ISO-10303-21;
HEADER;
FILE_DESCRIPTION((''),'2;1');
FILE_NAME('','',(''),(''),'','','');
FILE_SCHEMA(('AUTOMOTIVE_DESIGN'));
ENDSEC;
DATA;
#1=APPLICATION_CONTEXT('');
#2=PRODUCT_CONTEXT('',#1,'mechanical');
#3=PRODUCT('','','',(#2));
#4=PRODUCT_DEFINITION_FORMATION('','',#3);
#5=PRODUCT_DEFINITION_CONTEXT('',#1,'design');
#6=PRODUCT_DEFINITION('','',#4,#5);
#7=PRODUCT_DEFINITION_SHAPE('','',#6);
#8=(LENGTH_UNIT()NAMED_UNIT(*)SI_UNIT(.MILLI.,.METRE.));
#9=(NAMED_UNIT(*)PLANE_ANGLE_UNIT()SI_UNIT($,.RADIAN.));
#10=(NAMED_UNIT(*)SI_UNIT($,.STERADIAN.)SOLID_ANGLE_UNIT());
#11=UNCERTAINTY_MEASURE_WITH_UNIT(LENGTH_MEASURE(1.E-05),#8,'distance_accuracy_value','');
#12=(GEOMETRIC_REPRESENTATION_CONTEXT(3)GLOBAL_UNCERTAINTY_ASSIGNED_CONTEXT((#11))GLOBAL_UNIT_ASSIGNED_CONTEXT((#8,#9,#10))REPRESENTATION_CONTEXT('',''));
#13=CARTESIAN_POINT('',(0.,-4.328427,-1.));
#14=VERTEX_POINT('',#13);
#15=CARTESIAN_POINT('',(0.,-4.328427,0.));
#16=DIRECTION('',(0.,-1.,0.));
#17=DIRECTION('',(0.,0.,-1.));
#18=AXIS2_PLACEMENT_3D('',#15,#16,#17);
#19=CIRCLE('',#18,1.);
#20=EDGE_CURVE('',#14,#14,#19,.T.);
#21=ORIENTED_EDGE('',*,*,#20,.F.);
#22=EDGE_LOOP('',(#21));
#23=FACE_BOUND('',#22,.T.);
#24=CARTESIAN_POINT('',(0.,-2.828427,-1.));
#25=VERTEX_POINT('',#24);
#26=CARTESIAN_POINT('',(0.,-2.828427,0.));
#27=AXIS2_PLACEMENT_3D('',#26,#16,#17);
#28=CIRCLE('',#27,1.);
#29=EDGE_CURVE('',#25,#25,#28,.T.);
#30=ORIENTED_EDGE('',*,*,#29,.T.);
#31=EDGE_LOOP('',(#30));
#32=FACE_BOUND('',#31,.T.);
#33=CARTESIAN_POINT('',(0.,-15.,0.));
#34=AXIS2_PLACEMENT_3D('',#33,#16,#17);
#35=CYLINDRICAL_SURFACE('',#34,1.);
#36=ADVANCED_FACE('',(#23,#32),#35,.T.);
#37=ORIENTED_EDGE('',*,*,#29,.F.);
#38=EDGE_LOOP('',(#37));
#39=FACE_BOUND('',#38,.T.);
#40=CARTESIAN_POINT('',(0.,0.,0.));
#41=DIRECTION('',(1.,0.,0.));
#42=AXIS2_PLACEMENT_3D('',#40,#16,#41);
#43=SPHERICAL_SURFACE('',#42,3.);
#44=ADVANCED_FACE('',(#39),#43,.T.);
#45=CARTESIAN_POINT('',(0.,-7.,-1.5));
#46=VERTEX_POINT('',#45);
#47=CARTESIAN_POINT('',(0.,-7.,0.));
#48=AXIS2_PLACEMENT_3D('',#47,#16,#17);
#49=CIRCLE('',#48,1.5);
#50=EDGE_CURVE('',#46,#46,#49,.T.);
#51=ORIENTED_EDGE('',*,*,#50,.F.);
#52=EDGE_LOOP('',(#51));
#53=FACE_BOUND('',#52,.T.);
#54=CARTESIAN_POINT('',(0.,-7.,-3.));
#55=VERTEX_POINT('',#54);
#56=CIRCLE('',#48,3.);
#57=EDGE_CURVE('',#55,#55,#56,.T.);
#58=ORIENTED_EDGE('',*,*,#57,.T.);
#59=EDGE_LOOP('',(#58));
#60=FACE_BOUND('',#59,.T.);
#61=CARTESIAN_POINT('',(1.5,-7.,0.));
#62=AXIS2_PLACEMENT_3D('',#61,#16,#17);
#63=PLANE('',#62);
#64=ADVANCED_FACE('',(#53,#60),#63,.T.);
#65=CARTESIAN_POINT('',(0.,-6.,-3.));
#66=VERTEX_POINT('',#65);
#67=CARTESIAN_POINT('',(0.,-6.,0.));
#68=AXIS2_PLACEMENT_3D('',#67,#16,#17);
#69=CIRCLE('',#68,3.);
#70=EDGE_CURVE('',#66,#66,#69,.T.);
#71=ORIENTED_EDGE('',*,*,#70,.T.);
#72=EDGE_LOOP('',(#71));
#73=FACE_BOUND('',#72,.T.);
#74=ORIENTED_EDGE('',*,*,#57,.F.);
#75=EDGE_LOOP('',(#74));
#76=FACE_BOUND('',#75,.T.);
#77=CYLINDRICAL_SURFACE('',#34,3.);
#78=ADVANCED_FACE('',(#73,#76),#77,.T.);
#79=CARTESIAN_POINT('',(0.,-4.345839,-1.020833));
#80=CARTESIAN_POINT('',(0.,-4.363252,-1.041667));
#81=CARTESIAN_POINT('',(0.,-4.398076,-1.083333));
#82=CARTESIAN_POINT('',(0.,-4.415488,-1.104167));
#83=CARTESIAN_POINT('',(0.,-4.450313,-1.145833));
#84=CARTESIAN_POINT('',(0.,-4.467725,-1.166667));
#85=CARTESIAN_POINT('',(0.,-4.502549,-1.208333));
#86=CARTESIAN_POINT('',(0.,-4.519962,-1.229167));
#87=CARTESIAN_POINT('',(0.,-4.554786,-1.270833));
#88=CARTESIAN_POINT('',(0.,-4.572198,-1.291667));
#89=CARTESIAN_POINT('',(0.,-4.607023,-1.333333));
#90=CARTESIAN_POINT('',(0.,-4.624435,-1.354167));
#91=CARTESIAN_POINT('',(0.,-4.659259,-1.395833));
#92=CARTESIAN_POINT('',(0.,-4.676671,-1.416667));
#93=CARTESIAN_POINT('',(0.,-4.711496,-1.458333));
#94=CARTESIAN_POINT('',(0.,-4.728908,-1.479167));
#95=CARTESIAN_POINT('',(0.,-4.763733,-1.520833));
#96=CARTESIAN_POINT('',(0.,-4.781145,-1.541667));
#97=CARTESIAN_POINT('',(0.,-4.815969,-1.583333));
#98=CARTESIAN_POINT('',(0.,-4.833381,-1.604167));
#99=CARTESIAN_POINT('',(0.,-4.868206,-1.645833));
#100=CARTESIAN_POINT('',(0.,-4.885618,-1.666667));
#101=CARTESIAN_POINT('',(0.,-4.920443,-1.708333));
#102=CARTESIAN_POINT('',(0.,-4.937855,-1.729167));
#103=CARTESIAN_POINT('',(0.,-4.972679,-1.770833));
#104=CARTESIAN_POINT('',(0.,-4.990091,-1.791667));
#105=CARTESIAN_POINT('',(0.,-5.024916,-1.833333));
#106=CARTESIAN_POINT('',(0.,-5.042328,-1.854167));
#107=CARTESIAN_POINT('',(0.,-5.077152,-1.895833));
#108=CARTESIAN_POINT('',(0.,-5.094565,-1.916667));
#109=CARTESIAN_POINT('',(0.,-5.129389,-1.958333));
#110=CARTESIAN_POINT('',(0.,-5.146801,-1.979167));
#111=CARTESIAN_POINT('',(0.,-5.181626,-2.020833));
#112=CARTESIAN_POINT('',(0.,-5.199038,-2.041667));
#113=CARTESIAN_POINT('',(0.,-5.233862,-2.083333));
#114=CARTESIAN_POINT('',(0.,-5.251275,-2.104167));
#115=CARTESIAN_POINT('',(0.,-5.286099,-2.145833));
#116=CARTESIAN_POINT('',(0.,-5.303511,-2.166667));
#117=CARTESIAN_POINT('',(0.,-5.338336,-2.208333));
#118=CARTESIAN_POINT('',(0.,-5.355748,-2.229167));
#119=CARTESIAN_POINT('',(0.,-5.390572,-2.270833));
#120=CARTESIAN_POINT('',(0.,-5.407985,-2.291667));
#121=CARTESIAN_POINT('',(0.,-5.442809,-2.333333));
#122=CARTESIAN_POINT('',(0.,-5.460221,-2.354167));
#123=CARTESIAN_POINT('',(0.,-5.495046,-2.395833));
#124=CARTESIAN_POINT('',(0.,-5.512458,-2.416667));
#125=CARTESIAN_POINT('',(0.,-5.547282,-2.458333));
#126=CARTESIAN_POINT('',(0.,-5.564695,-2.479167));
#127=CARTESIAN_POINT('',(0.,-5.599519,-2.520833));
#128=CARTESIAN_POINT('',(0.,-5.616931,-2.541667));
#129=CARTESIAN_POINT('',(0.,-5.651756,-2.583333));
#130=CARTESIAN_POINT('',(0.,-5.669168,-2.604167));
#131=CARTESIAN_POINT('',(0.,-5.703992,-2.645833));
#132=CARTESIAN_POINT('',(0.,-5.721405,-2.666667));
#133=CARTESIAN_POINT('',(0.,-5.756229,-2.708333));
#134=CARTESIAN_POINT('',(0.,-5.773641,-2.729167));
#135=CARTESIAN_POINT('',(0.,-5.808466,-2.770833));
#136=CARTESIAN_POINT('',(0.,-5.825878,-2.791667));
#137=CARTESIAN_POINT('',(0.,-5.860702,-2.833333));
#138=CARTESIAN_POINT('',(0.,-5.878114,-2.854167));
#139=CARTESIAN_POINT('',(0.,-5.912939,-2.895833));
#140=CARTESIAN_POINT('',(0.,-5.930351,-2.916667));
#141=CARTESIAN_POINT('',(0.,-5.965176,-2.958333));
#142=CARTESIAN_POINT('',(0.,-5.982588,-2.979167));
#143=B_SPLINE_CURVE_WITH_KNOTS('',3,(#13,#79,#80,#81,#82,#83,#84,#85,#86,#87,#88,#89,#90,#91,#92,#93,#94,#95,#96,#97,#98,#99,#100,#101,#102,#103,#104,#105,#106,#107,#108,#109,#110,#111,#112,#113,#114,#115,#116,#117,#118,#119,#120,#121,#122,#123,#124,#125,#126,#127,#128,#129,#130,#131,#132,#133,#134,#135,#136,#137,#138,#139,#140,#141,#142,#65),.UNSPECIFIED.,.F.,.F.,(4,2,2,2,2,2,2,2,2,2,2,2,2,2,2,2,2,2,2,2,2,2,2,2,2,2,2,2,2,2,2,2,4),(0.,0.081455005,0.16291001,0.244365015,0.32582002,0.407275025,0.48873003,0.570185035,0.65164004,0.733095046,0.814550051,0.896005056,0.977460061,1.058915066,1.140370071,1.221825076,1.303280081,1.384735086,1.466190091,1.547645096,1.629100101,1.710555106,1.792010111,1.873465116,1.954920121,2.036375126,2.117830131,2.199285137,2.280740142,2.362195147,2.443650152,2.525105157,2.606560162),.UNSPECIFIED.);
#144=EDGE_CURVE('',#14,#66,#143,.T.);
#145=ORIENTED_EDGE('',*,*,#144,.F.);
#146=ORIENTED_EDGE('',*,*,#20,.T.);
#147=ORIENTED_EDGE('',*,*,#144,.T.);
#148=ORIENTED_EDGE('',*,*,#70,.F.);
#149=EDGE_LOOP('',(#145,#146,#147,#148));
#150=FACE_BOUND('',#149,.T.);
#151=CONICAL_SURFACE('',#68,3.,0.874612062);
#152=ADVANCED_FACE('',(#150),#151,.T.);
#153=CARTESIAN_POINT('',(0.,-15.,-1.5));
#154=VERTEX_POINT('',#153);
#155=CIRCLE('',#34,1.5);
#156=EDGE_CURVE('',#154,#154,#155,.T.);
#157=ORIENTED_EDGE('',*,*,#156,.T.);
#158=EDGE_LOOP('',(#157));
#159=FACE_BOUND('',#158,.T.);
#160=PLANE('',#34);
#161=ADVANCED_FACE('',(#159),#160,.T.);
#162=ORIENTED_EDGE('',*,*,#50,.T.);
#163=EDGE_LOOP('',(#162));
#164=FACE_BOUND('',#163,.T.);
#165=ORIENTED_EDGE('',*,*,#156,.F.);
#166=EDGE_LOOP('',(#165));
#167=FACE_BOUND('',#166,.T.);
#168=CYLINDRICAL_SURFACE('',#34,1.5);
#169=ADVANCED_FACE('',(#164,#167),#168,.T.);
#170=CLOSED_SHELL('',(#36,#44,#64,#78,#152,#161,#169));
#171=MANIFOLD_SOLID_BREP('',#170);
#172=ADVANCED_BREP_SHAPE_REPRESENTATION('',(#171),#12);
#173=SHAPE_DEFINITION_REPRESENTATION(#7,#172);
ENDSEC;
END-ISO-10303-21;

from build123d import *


with BuildPart() as part:
    # Esquisse1 → Révolution2 (revolve)
    with BuildSketch(Plane.XY, mode=Mode.PRIVATE) as r_volution2_sk:
        with BuildLine():
            Line((0, -15), (1.5, -15))
            Line((1.5, -15), (1.5, -7))
            Line((1.5, -7), (3, -7))
            Line((3, -7), (3, -6))
            Line((3, -6), (1, -4.328427125))
            Line((1, -4.328427125), (1, -2.828427125))
            ThreePointArc((1, -2.828427125), (2.956795679, 0.507305936), (0, 3))
            Line((0, 3), (0, -15))
        make_face()
    revolve(r_volution2_sk.sketch.rotate(Axis((0, -15, 0), (0, 1, 0)), 90), axis=Axis((0, -15, 0), (0, 1, 0)))


solid = part.part
